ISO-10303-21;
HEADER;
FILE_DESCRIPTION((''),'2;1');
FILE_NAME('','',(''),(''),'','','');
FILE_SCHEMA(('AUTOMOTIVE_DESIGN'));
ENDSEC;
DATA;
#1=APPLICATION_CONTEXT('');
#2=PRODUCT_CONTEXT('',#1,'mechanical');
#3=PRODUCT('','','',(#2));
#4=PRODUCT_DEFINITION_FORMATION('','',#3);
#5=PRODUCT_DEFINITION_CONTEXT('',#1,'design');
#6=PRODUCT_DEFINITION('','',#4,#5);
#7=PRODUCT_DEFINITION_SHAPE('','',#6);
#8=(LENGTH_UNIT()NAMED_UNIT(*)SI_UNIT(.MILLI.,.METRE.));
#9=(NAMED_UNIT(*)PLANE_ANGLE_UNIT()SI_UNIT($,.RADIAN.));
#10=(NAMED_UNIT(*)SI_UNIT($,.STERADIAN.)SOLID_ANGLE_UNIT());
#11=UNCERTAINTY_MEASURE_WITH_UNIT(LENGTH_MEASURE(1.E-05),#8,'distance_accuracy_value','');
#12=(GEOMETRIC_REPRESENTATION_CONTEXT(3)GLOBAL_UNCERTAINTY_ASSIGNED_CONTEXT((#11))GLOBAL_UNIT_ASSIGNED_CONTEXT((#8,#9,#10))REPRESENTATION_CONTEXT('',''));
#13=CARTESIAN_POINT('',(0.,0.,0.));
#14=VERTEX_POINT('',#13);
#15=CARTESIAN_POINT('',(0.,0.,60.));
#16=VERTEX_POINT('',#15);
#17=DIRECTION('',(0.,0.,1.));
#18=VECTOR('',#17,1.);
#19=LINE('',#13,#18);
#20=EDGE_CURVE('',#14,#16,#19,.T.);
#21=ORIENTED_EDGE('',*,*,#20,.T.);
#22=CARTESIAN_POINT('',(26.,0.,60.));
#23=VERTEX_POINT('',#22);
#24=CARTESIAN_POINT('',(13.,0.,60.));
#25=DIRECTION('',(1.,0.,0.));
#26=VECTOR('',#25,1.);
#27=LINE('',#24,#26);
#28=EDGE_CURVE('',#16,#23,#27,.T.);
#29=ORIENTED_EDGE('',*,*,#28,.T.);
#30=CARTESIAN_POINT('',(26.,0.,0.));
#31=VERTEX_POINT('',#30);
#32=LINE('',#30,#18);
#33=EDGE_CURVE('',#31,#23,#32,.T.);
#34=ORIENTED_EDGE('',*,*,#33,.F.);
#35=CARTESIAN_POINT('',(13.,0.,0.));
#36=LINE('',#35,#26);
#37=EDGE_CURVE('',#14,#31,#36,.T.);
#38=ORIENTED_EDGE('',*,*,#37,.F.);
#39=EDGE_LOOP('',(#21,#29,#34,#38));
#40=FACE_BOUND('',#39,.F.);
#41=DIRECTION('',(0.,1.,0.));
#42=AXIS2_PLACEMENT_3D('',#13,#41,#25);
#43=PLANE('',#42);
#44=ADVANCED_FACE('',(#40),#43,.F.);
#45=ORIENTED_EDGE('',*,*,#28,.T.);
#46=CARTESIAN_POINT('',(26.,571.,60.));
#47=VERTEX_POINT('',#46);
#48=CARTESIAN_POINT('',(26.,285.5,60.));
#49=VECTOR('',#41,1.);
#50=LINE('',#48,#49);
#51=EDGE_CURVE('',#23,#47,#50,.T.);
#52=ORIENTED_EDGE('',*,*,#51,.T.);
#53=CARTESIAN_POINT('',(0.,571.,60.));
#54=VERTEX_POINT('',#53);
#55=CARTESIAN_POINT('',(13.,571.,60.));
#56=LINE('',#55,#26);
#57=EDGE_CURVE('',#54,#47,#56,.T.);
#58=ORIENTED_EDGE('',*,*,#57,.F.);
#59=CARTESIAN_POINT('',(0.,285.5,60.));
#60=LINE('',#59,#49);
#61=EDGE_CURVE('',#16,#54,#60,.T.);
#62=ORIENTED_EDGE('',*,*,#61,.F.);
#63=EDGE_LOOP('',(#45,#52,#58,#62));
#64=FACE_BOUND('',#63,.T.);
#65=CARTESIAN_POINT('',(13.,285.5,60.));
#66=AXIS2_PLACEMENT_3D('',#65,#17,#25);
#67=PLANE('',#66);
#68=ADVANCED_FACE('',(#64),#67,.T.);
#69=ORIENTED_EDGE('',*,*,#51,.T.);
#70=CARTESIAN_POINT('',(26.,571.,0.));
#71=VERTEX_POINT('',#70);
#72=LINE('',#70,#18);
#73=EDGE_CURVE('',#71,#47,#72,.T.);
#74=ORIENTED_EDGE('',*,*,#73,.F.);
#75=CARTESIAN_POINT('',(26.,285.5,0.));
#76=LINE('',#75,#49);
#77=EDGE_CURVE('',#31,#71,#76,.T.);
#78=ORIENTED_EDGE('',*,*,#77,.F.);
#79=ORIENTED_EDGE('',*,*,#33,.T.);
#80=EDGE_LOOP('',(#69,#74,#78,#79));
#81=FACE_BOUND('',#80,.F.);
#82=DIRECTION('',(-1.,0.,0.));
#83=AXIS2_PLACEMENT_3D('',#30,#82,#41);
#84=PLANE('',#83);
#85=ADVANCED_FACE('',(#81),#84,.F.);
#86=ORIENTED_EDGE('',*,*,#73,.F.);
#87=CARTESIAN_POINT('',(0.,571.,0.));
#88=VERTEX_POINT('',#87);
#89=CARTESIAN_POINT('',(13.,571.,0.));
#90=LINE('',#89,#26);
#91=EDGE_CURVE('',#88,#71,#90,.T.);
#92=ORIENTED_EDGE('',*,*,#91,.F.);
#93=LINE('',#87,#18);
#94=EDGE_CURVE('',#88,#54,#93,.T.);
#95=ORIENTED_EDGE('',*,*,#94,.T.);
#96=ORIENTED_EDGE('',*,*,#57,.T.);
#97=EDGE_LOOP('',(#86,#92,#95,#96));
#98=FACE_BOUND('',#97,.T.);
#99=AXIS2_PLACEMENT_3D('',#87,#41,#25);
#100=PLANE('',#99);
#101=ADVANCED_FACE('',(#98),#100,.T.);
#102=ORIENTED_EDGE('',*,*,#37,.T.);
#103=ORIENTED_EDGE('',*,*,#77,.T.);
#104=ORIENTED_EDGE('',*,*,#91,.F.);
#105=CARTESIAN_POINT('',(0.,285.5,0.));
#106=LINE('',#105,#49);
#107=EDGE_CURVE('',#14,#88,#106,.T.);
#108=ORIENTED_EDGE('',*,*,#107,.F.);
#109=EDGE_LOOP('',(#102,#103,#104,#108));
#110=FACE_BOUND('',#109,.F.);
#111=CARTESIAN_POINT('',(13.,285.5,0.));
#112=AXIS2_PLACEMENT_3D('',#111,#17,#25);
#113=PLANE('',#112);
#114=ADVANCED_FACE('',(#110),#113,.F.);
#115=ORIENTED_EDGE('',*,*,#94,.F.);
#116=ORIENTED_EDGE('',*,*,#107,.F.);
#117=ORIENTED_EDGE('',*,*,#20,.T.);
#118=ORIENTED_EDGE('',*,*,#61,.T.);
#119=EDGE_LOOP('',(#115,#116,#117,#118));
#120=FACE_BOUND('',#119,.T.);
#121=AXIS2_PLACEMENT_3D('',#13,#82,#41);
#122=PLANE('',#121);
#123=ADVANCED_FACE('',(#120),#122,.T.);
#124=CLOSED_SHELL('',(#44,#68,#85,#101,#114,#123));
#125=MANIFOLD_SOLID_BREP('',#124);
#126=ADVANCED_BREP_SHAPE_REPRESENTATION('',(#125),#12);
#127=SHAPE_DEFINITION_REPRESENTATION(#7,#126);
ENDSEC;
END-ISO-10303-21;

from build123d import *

# Parameters (mm, degrees)
BOX_W     = 26
BOX_H     = 571
BOX_DEPTH = 60


with BuildPart() as part:
    # Box → Box (new body)
    with BuildSketch(Plane.XY):
        with Locations((13, 285.5)):
            Rectangle(BOX_W, BOX_H)
    extrude(amount=BOX_DEPTH)


solid = part.part
